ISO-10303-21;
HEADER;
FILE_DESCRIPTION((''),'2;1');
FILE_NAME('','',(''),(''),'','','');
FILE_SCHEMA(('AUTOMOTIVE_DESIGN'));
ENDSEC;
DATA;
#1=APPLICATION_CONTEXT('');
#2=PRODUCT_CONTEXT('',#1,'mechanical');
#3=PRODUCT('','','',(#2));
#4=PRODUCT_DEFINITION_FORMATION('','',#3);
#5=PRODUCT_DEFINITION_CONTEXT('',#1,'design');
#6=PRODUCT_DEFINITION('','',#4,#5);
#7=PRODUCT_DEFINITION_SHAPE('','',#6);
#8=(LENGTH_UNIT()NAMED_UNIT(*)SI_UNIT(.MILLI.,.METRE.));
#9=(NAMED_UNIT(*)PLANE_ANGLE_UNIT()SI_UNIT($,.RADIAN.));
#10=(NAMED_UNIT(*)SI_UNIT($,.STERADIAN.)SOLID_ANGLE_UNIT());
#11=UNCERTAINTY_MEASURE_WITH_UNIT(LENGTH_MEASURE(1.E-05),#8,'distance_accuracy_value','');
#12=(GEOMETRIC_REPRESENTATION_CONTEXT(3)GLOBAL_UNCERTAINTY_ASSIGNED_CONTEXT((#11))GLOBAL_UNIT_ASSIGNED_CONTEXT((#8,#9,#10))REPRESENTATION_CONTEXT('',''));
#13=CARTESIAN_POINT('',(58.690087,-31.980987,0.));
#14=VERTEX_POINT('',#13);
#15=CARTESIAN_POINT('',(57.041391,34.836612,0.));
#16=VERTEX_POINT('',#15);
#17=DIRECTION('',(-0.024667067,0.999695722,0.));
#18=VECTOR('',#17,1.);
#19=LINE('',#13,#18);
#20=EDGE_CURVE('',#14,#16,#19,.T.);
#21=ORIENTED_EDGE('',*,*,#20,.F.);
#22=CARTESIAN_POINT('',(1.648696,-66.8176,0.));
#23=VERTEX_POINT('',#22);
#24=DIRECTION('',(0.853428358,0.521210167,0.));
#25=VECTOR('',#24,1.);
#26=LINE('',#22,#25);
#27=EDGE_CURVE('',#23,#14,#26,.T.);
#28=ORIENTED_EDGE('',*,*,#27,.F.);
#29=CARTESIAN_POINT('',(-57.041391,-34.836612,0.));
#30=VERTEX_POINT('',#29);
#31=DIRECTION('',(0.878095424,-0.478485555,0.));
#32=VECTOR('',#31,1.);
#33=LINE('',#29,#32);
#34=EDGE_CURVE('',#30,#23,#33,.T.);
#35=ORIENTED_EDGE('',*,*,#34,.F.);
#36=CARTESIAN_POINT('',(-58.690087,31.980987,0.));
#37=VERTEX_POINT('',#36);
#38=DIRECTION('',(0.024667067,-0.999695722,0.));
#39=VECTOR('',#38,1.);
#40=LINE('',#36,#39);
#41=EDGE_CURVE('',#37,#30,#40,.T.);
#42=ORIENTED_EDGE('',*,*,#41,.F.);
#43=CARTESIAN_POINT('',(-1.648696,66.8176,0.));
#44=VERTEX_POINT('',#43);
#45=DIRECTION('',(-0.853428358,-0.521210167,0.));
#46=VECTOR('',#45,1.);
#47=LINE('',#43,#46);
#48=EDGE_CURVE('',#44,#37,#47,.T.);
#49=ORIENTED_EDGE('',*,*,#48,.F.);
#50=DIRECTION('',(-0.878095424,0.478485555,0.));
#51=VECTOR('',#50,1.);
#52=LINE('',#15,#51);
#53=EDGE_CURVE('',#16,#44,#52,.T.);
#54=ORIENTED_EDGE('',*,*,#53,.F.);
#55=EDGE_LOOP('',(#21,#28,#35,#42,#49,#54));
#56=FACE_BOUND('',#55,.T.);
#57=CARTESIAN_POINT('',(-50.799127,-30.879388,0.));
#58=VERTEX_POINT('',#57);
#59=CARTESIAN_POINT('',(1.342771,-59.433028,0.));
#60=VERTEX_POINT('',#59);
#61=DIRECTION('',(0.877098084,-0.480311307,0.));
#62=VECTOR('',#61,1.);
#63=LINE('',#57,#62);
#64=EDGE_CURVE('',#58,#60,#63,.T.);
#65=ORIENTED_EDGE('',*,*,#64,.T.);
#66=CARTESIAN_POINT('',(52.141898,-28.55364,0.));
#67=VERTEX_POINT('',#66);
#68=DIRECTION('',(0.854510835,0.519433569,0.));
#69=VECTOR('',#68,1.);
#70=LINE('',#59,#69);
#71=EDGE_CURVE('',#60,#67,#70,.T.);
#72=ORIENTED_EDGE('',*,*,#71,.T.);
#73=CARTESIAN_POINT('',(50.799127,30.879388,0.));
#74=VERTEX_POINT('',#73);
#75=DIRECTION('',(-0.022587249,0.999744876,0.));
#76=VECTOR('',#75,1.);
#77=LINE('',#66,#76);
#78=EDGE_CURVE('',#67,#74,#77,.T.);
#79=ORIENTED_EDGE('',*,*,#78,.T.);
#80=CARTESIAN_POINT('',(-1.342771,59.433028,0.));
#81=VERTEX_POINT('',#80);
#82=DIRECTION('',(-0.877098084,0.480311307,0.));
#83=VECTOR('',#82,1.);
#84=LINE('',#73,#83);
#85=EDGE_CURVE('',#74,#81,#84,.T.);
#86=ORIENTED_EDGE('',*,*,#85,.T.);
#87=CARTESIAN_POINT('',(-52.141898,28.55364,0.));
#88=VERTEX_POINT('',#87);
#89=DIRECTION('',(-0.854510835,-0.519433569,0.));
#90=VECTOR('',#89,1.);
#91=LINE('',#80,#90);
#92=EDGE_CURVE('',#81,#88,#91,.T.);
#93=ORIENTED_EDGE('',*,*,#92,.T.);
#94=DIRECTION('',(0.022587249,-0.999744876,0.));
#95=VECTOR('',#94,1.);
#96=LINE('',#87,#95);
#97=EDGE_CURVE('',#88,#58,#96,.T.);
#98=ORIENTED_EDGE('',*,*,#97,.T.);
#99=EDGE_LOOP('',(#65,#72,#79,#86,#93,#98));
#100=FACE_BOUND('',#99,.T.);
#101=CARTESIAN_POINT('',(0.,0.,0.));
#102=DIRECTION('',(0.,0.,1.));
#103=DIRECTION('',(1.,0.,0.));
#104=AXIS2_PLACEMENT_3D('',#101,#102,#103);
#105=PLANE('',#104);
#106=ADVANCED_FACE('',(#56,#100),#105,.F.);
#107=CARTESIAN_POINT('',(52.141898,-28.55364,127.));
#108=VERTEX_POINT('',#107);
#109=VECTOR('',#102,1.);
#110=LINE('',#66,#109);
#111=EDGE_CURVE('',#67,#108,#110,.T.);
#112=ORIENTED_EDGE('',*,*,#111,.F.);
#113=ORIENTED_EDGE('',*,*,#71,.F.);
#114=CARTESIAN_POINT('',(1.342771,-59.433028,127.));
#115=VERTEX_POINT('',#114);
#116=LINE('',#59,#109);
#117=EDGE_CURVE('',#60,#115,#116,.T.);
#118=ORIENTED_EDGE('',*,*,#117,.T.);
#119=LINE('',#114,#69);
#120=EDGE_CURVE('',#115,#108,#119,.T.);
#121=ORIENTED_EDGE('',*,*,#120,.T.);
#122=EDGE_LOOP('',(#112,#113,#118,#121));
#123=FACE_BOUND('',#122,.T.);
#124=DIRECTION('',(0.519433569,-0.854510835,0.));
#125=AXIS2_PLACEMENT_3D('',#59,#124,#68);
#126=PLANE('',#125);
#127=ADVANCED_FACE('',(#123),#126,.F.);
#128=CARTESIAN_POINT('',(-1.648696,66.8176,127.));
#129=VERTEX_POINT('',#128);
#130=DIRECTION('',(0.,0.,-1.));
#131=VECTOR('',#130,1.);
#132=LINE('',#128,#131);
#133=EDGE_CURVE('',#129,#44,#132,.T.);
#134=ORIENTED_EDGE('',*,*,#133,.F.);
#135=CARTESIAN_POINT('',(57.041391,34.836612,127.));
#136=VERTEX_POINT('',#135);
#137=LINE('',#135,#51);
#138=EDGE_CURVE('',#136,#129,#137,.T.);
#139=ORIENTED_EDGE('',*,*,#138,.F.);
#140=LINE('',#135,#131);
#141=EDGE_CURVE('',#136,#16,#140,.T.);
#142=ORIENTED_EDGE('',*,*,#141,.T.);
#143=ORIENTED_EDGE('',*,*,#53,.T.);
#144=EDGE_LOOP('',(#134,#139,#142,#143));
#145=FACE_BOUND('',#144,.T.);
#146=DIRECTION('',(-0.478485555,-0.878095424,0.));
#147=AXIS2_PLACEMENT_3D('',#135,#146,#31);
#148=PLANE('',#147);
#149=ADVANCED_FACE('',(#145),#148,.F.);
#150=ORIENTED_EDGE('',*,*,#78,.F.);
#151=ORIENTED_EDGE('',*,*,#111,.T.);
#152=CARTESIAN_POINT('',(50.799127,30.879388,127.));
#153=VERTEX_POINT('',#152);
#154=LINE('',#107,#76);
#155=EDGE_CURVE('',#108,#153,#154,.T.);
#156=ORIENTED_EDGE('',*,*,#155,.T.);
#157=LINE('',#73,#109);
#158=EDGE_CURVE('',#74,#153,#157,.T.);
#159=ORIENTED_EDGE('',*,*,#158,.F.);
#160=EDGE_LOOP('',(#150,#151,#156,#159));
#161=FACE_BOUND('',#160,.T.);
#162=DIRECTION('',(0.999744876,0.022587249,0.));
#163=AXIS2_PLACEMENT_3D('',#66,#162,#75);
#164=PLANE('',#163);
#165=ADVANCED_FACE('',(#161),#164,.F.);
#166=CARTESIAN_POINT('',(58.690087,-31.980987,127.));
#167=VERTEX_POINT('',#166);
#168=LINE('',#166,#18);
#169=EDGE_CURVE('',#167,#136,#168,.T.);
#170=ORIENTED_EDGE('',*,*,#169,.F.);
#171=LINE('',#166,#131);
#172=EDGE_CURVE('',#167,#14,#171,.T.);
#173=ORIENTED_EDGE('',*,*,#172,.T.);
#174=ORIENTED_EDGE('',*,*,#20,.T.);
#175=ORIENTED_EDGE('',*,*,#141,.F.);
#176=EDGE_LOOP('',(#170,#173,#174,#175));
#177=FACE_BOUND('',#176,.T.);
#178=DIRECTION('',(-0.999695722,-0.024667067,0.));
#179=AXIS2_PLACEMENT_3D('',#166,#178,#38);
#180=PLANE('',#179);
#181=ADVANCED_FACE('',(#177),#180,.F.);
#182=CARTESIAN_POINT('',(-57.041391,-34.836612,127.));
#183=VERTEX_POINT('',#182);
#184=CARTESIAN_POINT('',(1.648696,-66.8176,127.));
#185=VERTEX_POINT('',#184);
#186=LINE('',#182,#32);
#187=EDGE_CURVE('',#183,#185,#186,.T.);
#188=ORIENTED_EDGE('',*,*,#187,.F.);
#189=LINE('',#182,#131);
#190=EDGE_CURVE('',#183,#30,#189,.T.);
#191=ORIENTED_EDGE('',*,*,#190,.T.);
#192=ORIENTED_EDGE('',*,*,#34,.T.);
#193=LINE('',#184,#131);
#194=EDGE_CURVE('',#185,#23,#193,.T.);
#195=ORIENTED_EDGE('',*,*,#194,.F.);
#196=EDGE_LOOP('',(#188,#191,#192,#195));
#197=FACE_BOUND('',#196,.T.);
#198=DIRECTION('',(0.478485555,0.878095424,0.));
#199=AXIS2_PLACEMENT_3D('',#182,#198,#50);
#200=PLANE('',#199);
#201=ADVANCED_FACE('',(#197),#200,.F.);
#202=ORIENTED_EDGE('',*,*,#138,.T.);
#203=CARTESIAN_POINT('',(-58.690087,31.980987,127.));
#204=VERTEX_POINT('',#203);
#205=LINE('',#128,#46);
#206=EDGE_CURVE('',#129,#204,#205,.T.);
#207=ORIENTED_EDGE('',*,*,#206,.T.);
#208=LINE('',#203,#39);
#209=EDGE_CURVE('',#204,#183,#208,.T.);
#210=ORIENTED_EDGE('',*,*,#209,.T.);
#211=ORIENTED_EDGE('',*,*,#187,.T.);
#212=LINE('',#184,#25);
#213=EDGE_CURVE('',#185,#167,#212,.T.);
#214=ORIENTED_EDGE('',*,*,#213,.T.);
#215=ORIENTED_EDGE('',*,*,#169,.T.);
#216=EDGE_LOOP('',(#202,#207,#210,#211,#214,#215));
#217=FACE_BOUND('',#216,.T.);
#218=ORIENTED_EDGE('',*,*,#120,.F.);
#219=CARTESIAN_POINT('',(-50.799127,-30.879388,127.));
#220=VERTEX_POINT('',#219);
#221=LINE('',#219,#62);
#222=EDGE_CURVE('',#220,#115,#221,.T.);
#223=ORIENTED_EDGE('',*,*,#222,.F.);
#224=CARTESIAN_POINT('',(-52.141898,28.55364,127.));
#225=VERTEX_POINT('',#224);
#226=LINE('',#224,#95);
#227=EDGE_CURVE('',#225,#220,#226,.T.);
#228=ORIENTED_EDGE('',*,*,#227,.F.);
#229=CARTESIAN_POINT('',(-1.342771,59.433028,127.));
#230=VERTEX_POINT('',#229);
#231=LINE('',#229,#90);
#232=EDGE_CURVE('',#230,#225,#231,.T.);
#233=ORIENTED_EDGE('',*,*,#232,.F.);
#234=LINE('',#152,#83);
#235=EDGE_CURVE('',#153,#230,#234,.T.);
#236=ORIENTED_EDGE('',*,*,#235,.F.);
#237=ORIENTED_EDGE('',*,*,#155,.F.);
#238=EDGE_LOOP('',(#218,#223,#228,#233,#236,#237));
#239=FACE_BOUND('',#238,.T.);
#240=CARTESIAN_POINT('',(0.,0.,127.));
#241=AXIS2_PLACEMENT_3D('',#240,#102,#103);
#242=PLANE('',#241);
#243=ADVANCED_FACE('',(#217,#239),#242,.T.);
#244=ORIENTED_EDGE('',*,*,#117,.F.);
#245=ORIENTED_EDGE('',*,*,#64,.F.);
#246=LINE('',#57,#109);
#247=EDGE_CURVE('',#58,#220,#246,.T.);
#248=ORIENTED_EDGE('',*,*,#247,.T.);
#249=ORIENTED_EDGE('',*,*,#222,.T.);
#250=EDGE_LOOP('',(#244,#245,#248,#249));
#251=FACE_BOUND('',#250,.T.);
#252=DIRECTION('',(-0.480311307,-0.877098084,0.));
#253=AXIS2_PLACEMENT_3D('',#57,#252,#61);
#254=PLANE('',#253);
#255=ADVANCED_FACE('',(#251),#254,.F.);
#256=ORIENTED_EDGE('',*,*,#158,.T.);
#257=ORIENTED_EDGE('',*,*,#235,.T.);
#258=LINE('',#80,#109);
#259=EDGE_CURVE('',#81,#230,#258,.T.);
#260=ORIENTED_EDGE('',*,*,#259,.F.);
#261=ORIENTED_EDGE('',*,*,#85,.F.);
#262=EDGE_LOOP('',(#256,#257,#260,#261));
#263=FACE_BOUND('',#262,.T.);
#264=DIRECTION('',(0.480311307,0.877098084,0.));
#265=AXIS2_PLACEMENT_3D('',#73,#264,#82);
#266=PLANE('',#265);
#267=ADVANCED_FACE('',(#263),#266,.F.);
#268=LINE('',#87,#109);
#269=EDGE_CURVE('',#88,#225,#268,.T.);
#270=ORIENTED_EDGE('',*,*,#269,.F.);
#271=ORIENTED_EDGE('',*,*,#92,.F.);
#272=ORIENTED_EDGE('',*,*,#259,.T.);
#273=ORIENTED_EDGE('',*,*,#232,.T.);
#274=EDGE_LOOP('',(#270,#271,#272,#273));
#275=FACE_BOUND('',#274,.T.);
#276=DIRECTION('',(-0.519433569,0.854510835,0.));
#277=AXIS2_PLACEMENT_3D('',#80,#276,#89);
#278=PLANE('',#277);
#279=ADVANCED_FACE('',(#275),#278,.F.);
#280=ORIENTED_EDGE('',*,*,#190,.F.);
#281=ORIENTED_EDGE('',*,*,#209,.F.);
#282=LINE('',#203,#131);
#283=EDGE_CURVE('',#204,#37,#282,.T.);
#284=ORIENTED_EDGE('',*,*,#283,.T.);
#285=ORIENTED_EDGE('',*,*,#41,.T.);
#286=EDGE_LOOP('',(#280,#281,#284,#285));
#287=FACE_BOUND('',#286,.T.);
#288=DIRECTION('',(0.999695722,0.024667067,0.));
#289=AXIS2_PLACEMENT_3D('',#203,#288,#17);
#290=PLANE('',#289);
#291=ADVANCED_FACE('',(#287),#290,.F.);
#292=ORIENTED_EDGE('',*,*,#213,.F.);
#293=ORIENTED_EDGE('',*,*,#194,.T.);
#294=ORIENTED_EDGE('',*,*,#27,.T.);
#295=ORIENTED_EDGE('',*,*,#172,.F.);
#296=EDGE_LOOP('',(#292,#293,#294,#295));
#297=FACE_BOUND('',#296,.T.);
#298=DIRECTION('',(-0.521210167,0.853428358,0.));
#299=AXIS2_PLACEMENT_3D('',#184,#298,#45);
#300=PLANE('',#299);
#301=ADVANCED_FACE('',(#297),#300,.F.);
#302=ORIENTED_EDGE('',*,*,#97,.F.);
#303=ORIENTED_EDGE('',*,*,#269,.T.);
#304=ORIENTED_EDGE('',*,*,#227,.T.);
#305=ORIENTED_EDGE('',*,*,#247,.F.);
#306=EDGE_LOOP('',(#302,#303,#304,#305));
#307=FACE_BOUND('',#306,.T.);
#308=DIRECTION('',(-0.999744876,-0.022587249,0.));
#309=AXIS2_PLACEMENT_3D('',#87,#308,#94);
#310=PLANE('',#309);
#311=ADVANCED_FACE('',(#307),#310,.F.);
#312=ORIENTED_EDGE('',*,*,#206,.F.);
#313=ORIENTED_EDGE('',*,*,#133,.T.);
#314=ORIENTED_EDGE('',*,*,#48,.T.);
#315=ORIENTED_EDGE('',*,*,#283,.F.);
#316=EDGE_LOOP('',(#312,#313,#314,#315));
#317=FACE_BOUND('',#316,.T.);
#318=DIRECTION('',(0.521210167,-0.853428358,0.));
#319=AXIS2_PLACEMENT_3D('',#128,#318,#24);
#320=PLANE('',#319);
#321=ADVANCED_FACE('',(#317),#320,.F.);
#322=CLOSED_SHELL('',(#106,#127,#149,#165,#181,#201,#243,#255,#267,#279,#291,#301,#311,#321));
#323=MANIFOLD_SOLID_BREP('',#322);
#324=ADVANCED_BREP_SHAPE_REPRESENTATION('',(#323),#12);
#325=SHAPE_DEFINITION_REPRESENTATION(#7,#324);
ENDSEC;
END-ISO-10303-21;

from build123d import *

# Parameters (mm, degrees)
BOSS_EXTRUDE1_DEPTH = 127
CUT_EXTRUDE1_DEPTH  = 127


with BuildPart() as part:
    # Sketch1 → Boss-Extrude1 (new body)
    with BuildSketch(Plane.XY):
        Polygon((57.041390795, 34.836612302), (-1.648695838, 66.817599647), (-58.690086633, 31.980987345), (-57.041390795, -34.836612302), (1.648695838, -66.817599647), (58.690086633, -31.980987345), align=None)
    extrude(amount=BOSS_EXTRUDE1_DEPTH)

    # Sketch2 → Cut-Extrude1 (cut)
    with BuildSketch(Plane.XY.offset(127)):
        Polygon((50.799126685, 30.879388059), (-1.34277117, 59.433028229), (-52.141897855, 28.55364017), (-50.799126685, -30.879388059), (1.34277117, -59.433028229), (52.141897855, -28.55364017), align=None)
    extrude(amount=-CUT_EXTRUDE1_DEPTH, mode=Mode.SUBTRACT)


solid = part.part
